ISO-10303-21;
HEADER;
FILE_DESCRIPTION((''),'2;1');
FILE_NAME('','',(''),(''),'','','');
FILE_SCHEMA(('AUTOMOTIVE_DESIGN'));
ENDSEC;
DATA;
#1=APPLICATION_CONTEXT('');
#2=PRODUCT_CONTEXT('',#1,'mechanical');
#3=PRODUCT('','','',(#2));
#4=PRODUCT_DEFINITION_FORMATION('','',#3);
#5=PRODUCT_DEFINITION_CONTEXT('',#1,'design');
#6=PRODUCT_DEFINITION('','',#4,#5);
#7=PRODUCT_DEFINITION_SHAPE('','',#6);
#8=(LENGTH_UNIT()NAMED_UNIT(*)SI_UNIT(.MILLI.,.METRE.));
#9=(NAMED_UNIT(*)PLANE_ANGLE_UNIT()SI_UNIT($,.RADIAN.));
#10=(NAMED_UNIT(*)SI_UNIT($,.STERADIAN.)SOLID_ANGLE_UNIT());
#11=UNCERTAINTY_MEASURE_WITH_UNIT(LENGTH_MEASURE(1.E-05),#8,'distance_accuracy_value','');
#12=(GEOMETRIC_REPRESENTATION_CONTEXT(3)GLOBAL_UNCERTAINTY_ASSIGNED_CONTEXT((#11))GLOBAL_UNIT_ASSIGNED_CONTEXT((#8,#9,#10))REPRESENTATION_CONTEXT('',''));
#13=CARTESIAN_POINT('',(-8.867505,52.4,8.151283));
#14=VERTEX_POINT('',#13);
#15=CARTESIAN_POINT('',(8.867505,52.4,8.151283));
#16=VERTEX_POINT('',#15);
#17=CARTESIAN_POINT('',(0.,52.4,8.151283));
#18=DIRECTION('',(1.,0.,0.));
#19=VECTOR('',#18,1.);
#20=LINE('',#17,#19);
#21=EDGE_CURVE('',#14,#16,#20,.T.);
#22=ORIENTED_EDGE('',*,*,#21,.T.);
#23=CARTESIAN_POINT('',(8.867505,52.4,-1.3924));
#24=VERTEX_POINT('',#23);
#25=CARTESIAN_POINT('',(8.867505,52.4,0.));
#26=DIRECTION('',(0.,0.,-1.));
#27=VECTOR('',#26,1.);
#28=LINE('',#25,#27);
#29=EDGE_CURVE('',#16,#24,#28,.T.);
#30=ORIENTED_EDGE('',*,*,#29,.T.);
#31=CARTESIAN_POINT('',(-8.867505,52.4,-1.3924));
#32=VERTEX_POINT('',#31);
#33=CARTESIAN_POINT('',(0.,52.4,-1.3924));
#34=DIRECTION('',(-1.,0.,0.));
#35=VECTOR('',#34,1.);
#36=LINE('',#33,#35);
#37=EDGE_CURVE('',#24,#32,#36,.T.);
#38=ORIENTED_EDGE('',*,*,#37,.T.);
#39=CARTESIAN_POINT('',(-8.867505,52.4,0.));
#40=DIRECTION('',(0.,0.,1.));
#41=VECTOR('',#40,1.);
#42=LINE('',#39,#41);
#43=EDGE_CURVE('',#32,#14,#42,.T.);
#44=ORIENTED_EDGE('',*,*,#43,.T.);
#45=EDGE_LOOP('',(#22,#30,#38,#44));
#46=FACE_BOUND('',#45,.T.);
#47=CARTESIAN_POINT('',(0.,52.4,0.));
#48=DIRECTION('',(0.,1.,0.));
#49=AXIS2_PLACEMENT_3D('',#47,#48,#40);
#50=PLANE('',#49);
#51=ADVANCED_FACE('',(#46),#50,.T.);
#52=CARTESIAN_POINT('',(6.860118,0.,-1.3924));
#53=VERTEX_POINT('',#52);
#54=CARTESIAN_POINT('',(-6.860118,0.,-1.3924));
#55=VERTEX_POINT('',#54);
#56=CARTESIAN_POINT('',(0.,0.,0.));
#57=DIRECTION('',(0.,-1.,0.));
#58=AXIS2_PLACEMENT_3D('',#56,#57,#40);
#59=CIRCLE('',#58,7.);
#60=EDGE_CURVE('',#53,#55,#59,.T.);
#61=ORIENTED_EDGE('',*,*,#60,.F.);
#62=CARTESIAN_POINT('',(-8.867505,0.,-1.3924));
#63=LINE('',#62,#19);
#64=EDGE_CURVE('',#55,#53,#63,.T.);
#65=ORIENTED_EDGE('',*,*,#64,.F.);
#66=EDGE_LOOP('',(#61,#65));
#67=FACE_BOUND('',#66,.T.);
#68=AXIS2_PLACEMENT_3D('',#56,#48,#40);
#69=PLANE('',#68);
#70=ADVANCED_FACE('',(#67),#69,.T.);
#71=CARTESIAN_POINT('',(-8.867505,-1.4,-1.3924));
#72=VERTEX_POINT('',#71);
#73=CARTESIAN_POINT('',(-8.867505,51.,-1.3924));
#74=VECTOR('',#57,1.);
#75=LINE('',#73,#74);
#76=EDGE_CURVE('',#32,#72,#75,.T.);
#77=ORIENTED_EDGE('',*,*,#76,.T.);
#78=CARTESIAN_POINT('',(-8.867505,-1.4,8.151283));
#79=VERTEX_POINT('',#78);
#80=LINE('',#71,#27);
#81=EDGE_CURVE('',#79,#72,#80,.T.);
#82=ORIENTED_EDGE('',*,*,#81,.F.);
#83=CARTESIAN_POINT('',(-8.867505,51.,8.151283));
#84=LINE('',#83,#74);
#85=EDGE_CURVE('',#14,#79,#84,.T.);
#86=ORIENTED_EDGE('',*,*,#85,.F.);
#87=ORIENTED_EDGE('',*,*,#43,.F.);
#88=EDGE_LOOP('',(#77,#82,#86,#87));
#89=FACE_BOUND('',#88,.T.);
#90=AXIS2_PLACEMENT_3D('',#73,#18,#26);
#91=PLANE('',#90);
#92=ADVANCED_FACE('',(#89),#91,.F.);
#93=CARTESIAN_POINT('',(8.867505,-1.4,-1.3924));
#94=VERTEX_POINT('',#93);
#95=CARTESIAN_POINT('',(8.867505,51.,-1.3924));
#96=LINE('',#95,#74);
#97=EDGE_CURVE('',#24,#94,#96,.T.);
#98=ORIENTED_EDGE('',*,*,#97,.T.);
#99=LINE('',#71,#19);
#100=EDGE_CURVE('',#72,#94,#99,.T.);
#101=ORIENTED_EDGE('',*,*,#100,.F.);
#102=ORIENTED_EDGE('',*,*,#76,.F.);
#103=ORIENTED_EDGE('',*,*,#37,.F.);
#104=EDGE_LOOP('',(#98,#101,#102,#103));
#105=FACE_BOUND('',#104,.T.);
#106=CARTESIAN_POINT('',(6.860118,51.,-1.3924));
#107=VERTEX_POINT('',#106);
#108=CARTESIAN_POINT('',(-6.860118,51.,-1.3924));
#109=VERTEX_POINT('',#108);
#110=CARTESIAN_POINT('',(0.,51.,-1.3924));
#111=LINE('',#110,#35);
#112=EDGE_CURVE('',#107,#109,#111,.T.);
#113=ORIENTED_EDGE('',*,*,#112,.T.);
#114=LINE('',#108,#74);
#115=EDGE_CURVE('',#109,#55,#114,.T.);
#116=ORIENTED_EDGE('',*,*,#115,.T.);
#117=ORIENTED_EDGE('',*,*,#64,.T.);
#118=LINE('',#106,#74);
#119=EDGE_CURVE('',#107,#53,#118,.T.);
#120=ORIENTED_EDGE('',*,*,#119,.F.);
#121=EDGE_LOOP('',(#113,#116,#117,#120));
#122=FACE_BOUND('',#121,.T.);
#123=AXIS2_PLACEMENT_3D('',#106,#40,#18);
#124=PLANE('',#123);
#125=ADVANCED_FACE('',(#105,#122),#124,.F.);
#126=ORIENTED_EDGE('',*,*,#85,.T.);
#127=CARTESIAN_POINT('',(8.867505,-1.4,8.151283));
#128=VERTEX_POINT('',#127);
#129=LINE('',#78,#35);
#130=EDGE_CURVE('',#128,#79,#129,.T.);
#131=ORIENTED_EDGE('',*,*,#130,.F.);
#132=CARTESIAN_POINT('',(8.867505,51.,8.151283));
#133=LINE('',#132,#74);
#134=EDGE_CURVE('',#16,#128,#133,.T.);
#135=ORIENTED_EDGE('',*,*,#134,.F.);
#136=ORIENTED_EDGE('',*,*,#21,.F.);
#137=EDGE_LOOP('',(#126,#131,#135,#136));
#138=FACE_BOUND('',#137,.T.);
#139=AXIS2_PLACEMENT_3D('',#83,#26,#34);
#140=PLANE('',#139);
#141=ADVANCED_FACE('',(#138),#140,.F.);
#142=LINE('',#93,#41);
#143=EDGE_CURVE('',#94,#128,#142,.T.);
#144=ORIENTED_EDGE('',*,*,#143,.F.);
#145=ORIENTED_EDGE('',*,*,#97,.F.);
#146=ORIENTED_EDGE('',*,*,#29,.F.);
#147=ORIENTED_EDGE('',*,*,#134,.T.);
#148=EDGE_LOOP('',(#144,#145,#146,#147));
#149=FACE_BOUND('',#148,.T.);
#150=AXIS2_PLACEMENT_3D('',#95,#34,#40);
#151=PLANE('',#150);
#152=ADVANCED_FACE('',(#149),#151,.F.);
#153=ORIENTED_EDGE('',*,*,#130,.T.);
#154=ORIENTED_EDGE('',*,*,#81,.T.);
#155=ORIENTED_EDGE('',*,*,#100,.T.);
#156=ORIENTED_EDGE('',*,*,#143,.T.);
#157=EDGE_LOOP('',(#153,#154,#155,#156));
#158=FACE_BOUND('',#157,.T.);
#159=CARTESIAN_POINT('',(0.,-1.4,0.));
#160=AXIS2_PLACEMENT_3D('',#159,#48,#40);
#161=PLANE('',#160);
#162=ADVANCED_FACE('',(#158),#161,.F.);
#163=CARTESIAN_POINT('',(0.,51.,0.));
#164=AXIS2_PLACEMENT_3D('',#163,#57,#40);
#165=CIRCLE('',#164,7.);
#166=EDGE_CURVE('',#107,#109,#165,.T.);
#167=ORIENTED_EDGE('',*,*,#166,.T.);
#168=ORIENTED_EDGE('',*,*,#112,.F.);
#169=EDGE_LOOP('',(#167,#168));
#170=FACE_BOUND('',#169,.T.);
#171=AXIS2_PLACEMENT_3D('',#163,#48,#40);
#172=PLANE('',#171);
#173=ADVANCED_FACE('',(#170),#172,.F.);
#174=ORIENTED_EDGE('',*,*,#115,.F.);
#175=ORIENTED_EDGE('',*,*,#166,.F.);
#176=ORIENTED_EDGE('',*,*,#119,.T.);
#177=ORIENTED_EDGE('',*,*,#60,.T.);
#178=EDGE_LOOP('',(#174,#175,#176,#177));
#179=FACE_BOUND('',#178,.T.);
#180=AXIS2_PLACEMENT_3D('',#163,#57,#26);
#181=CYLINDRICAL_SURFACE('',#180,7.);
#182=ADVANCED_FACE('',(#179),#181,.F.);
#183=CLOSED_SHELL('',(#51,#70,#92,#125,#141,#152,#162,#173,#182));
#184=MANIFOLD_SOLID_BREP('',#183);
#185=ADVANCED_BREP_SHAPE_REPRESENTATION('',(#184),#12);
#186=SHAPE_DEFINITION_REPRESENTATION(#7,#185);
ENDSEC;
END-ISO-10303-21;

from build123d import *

# Parameters (mm, degrees)
BOSS_EXTRUDE1_DEPTH = 51
SKETCH2_W           = 17.735009552
SKETCH2_H           = 9.543683463
BOSS_EXTRUDE2_DEPTH = 1.4
BOSS_EXTRUDE3_START = -51
SKETCH2_2_W         = 17.735009552
SKETCH2_2_H         = 9.543683463
BOSS_EXTRUDE3_DEPTH = 1.4


with BuildPart() as part:
    # Sketch1 → Boss-Extrude1 (new body)
    with BuildSketch(Plane(origin=(0, 0, 0), x_dir=(1, 0, 0), z_dir=(0, 1, 0))):
        with BuildLine():
            Line((-6.860118192, 1.392400227), (-8.867504776, 1.392400227))
            Line((-8.867504776, 1.392400227), (-8.867504776, -8.151283236))
            Line((-8.867504776, -8.151283236), (8.867504776, -8.151283236))
            Line((8.867504776, -8.151283236), (8.867504776, 1.392400227))
            Line((8.867504776, 1.392400227), (6.860118192, 1.392400227))
            ThreePointArc((6.860118192, 1.392400227), (0, -7), (-6.860118192, 1.392400227))
        make_face()
    extrude(amount=BOSS_EXTRUDE1_DEPTH)

    # Sketch2 → Boss-Extrude2 (add)
    with BuildSketch(Plane.XZ):
        with Locations((0, 3.379441505)):
            Rectangle(SKETCH2_W, SKETCH2_H)
    extrude(amount=BOSS_EXTRUDE2_DEPTH)

    # Sketch2<2> → Boss-Extrude3 (add)
    with BuildSketch(Plane.XZ.offset(BOSS_EXTRUDE3_START)):
        with Locations((0, 3.379441505)):
            Rectangle(SKETCH2_2_W, SKETCH2_2_H)
    extrude(amount=-BOSS_EXTRUDE3_DEPTH)


solid = part.part
